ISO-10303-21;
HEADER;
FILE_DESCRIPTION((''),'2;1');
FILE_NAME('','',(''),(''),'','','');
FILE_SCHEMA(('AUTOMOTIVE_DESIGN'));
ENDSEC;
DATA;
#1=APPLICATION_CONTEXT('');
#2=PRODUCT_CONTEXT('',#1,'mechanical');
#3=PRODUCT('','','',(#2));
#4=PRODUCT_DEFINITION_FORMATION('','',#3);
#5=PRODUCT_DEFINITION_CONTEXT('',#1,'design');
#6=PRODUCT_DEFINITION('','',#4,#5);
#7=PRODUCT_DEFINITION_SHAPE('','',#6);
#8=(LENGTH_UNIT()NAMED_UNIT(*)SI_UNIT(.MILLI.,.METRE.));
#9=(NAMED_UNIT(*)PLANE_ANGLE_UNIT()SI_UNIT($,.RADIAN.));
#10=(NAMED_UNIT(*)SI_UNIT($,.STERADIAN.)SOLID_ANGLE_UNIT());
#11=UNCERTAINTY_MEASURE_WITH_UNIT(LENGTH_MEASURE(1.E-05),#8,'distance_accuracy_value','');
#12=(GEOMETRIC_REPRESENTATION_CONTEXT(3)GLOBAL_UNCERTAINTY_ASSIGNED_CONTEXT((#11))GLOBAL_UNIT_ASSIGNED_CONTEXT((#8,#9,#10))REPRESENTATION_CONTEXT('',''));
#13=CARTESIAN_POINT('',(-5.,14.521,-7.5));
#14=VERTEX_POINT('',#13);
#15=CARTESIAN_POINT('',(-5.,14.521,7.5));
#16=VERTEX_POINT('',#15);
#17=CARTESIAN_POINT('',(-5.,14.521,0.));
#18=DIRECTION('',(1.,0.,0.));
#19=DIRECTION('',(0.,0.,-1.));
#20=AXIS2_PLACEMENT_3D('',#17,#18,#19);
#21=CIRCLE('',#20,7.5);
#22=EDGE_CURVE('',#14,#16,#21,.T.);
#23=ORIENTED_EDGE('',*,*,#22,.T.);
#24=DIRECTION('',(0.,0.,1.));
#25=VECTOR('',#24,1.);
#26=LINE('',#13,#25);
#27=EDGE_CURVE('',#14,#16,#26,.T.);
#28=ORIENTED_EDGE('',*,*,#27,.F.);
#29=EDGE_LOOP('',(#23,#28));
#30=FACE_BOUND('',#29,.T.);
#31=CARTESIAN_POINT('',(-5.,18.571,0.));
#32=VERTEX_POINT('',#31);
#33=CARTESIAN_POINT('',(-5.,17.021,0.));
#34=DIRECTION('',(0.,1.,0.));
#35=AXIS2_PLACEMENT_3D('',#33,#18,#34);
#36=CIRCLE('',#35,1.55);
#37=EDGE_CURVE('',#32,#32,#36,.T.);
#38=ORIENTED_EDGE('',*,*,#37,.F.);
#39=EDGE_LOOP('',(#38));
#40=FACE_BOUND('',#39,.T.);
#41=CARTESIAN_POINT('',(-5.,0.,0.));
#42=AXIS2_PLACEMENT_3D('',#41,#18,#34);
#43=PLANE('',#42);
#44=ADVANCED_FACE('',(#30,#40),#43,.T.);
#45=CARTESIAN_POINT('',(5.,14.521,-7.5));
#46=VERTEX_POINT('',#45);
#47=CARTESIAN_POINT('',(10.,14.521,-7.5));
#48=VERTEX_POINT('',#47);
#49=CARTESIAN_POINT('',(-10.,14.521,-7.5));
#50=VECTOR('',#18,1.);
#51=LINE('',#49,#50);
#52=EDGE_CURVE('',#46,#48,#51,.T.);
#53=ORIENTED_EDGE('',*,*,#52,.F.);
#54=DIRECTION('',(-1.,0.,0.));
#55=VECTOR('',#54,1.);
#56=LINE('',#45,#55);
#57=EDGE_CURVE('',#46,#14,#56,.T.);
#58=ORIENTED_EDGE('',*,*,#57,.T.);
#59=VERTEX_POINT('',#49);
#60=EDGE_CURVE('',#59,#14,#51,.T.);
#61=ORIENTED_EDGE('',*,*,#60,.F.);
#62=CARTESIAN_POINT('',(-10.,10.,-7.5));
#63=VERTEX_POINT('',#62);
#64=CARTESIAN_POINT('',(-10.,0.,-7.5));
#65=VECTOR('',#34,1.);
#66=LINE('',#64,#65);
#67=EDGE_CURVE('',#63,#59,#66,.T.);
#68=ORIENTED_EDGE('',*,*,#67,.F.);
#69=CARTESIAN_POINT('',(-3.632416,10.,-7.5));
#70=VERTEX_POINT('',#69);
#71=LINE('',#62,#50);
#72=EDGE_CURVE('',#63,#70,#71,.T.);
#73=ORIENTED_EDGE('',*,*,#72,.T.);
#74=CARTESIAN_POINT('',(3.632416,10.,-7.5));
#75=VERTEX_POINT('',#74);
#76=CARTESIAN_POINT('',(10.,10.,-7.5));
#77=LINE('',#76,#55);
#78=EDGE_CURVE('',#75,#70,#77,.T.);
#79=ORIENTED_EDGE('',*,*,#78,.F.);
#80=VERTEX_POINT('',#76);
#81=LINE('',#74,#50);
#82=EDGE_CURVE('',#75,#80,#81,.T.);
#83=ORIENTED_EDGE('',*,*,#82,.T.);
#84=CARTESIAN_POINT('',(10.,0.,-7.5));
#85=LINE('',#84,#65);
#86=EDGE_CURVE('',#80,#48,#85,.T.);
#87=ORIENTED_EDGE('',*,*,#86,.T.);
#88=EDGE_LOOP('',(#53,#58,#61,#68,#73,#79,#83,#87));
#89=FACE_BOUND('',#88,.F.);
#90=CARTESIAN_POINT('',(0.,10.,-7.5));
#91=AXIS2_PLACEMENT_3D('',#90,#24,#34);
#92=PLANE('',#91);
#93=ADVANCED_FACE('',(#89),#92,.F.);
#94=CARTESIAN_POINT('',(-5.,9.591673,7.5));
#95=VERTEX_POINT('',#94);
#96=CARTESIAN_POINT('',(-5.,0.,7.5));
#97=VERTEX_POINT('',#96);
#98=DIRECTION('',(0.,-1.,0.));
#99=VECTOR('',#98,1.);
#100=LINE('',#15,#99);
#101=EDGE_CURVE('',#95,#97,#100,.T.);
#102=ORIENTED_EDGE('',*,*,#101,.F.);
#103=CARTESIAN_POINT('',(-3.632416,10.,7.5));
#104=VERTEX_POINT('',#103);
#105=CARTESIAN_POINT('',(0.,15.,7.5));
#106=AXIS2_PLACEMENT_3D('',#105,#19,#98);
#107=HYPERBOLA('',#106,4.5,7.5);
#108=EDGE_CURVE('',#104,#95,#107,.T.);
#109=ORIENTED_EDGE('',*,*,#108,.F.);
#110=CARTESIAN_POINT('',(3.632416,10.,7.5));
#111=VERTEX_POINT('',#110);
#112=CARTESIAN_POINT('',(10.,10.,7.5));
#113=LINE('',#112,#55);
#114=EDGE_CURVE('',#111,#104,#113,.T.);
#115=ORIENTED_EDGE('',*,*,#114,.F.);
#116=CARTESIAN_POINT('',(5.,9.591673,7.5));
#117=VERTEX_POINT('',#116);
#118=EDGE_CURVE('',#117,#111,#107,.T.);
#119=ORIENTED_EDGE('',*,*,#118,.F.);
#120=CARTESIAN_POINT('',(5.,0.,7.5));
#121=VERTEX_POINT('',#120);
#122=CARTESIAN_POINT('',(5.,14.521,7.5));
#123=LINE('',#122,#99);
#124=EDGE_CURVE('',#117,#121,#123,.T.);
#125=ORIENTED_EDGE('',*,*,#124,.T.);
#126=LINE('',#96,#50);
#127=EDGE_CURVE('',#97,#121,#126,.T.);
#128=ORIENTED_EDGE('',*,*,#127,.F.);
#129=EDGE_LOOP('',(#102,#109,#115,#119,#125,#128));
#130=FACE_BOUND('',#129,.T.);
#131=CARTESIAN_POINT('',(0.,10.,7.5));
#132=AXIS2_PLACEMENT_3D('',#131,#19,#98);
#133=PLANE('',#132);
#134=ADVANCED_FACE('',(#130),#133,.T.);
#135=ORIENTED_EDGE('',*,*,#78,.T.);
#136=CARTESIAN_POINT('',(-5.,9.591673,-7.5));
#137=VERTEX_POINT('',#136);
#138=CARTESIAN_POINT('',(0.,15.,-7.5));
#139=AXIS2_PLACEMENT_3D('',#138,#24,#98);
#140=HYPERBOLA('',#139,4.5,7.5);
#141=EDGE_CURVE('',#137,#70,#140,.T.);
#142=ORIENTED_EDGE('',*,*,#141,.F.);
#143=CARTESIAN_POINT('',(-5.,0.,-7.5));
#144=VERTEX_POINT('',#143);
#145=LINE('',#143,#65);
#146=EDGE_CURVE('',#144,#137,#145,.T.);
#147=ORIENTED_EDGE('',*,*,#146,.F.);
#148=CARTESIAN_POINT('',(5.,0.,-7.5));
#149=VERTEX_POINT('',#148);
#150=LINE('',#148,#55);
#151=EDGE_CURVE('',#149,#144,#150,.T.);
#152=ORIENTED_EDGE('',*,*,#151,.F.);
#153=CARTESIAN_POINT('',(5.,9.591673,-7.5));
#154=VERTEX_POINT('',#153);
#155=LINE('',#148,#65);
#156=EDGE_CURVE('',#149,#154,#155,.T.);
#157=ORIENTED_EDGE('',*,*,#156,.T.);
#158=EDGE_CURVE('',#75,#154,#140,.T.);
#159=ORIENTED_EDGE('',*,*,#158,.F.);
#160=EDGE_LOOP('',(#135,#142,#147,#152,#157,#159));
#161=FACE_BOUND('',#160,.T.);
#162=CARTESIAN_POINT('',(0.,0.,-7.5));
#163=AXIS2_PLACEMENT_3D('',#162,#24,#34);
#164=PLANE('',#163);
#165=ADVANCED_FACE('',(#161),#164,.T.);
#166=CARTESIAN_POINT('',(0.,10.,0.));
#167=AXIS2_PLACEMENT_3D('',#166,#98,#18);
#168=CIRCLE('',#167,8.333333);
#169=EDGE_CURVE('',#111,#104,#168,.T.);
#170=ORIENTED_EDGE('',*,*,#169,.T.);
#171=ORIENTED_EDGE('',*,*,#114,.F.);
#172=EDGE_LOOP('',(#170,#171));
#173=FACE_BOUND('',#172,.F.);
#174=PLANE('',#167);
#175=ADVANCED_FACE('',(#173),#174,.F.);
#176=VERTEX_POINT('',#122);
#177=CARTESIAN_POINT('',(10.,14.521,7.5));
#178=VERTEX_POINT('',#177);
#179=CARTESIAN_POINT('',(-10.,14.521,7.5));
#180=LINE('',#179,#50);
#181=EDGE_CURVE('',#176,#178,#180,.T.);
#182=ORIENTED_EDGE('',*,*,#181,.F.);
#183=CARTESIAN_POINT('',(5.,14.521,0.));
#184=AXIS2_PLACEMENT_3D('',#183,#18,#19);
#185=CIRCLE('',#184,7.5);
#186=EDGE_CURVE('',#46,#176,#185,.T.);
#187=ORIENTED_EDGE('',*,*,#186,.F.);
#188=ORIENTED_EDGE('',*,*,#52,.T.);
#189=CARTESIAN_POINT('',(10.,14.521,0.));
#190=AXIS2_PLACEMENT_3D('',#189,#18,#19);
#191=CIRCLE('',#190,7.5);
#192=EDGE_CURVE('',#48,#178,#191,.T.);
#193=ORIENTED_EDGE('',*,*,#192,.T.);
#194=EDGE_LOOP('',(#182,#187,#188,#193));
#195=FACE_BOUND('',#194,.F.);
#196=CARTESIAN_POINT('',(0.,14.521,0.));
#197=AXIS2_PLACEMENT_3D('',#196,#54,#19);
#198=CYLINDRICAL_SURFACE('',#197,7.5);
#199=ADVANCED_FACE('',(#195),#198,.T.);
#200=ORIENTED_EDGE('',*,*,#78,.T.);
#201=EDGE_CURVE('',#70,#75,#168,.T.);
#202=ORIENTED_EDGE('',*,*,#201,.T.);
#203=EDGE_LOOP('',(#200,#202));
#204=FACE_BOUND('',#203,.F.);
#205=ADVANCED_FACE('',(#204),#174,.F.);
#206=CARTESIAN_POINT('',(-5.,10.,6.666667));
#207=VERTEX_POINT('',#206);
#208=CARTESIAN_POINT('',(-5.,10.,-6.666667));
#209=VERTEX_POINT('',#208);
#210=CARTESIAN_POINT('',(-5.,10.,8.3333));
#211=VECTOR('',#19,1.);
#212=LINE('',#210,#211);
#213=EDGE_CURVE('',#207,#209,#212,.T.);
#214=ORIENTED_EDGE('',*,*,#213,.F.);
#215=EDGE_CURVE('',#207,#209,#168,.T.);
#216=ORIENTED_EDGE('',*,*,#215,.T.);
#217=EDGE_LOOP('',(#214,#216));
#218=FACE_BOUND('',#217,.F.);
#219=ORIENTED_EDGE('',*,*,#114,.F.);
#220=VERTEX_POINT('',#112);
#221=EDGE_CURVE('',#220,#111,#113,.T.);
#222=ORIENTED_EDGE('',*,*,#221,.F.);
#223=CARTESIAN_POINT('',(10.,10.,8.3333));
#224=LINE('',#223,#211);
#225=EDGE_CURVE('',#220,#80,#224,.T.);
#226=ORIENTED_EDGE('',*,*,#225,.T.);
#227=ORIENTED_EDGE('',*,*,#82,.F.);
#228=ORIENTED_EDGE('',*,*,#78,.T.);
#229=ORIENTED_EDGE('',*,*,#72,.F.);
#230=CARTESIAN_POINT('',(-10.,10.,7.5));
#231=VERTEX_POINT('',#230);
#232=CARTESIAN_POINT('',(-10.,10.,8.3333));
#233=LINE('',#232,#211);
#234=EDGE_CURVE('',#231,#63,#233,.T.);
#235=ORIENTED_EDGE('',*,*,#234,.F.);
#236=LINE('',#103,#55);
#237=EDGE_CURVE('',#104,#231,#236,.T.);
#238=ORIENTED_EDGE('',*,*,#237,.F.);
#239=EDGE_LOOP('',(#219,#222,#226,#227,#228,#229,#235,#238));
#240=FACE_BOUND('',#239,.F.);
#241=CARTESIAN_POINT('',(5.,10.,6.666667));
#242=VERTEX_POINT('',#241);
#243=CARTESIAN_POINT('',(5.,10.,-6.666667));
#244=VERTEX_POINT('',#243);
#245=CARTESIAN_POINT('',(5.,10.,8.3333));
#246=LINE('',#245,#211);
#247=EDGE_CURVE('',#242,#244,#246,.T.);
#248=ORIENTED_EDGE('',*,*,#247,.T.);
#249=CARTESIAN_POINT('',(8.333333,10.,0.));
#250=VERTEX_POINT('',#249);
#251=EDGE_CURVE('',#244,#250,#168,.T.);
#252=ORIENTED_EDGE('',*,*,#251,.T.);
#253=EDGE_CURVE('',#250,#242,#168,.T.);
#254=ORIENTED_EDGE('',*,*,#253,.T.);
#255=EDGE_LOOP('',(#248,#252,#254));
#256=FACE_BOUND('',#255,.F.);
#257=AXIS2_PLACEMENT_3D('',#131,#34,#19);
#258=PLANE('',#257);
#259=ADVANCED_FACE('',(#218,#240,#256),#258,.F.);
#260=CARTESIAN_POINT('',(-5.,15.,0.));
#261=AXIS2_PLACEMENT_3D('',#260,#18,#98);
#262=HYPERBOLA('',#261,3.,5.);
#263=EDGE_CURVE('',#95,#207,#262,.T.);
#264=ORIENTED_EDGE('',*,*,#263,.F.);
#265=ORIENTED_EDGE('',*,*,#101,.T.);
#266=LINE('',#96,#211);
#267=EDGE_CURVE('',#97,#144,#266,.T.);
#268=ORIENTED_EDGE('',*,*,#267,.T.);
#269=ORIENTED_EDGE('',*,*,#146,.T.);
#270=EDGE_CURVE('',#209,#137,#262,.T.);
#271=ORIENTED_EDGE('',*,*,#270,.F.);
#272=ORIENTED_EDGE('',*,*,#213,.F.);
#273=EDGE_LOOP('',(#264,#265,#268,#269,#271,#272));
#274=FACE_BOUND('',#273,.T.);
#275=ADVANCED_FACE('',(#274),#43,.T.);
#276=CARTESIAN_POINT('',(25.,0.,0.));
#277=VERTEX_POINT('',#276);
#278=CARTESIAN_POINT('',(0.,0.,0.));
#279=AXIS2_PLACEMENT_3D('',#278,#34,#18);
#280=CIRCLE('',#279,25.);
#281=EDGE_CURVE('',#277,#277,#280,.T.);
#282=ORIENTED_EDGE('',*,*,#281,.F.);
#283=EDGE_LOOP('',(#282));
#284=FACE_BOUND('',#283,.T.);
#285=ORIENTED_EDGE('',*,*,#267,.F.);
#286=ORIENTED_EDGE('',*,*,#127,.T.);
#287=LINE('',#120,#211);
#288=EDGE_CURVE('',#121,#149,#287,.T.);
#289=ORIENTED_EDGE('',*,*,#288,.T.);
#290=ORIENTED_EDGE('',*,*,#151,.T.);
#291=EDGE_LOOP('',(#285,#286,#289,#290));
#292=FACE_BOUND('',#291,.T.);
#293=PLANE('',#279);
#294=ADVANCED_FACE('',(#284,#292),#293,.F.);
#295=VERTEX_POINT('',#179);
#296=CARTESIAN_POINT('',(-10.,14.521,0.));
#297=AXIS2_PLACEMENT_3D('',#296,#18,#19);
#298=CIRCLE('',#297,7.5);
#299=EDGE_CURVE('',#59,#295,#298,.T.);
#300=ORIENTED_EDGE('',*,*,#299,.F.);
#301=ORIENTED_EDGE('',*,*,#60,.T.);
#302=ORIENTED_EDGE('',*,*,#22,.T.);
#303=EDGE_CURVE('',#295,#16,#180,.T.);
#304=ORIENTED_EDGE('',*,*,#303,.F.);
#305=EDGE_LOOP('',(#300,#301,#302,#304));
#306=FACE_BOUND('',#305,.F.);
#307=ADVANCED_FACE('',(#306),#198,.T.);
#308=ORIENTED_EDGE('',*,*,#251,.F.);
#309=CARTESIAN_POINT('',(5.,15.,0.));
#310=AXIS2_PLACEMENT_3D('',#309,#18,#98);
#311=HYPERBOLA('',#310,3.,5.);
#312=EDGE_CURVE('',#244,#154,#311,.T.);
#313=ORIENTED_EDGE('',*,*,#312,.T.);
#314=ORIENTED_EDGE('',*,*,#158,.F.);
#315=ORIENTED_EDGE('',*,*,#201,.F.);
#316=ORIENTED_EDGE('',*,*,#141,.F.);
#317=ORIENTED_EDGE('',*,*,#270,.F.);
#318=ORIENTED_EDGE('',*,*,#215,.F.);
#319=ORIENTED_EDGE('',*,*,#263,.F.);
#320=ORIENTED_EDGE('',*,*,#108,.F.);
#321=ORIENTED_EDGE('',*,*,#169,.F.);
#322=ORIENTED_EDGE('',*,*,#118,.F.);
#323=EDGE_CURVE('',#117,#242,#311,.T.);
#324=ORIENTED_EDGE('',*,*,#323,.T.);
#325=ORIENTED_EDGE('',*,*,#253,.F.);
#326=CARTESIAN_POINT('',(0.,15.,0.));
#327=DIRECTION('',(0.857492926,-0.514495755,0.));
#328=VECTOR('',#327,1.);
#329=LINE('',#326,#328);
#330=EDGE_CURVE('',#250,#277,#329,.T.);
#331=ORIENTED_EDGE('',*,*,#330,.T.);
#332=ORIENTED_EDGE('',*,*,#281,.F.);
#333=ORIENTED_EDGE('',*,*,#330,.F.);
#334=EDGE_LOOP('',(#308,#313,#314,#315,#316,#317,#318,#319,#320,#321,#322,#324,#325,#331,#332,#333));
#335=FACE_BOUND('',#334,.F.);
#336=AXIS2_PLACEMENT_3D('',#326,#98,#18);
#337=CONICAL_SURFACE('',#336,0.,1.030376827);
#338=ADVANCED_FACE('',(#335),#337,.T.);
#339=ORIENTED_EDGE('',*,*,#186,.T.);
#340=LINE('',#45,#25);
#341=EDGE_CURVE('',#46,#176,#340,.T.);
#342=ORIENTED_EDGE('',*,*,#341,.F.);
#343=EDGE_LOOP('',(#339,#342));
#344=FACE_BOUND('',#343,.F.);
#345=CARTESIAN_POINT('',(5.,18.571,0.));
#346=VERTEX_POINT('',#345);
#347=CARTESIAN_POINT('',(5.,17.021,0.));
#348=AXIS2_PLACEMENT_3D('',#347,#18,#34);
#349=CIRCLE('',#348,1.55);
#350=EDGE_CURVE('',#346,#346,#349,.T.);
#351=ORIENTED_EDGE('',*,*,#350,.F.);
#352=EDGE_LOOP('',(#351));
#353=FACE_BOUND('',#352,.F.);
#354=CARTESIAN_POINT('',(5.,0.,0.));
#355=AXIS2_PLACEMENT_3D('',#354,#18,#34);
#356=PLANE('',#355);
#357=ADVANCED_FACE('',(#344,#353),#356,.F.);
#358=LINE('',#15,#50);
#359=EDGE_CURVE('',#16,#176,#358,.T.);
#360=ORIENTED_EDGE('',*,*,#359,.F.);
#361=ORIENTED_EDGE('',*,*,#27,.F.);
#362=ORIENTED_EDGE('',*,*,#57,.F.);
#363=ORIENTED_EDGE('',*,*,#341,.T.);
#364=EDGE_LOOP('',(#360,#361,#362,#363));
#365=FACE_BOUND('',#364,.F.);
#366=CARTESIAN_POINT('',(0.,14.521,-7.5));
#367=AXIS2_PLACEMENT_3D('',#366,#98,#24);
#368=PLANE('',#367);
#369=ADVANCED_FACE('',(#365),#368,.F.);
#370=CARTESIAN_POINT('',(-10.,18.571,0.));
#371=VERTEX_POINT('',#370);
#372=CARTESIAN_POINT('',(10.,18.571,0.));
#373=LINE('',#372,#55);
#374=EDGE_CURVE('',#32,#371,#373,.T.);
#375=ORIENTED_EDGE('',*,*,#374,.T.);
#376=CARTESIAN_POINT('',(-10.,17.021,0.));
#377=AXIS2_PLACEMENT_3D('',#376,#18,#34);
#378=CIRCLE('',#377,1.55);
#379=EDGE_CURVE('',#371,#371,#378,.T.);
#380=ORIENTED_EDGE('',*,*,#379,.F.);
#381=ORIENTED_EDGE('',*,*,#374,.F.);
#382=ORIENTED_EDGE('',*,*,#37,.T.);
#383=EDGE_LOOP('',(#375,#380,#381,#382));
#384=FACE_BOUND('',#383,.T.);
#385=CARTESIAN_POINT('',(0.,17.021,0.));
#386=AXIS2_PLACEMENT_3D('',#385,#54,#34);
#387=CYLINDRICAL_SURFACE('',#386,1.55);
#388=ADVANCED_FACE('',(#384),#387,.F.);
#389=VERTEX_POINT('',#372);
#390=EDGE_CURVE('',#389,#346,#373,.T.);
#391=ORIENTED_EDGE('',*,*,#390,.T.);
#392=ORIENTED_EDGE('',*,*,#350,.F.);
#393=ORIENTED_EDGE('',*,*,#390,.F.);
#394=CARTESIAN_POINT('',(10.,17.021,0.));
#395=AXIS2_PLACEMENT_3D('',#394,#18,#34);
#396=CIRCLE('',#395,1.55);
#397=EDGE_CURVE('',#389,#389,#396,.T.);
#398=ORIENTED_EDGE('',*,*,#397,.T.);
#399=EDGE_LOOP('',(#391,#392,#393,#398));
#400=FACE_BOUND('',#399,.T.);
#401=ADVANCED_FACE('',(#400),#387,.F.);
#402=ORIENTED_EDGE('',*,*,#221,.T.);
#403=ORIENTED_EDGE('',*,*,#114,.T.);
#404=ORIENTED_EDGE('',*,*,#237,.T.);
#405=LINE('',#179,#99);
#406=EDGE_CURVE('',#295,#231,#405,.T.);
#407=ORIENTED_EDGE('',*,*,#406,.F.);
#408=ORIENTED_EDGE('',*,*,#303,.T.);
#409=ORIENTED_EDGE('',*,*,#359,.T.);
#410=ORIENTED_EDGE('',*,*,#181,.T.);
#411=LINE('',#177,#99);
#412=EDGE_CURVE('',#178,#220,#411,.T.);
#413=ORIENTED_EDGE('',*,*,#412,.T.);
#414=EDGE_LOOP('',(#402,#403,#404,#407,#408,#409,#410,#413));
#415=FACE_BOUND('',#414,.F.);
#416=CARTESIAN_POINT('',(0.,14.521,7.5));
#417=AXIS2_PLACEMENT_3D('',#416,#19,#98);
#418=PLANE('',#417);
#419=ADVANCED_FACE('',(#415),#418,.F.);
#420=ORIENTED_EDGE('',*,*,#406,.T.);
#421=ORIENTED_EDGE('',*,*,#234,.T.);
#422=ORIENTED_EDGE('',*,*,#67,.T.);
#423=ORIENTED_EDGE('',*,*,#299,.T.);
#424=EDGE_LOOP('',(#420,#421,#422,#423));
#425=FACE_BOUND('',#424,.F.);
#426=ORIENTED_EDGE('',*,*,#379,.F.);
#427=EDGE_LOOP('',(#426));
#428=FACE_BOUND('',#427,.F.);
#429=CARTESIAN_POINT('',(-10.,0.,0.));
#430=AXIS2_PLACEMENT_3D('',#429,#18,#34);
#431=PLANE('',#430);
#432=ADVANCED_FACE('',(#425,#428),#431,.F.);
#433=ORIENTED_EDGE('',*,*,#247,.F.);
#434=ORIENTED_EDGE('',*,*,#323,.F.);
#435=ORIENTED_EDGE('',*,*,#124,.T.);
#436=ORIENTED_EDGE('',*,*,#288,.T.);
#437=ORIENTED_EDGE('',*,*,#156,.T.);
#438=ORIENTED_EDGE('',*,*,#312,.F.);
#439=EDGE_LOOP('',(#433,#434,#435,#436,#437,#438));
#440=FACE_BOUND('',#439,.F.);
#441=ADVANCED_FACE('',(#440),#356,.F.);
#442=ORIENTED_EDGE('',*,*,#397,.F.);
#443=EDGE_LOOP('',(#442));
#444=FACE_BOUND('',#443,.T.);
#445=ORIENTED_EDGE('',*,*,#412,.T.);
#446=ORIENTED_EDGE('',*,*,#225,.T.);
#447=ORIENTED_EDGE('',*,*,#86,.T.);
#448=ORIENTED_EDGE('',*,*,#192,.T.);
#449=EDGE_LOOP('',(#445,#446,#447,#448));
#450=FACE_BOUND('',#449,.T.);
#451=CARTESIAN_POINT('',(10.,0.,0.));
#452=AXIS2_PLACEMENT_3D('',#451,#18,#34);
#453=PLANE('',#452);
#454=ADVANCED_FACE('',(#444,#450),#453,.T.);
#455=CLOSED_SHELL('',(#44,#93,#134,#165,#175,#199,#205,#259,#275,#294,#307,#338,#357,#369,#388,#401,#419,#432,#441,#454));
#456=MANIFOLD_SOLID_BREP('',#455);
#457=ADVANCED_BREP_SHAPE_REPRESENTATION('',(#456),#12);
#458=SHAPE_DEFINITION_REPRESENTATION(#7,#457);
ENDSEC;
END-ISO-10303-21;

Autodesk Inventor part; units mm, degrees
ref_plane "YZ Plane" through (0, 0, 0) normal (1, 0, 0) x (0, 1, 0)
ref_plane "XZ Plane" through (0, 0, 0) normal (0, 1, 0) x (-1, 0, 0)
ref_plane "XY Plane" through (0, 0, 0) normal (0, 0, 1) x (1, 0, 0)
sketch "Эскиз2" plane through (0, 0, 0) normal (0, 0, 1) x (1, 0, 0)
  line L0 (0, 0) -> (25, 0)
  line L1 (0, 0) -> (0, 15)
  line L2 (0, 15) -> (25, 0)
  line L3 (0, -3) -> (0, 18) projected
  dimension "d0" = 25
  dimension "d1" = 15
revolve "Вращение1" add sketch "Эскиз2" angle 360 about axis through (0, -10, 0) along (0, 1, 0)
ref_plane "РабПлоскость1" through (0, 10, 0) normal (0, -1, 0) x (1, 0, 0)
sketch "Эскиз3" plane through (0, 10, 0) normal (0, -1, 0) x (1, 0, 0)
  line L0 (9.9198, 18.1472) -> (-9.6073, 18.1472)
  line L1 (-9.6073, 18.1472) -> (-9.6073, -14.8146)
  line L2 (-9.6073, -14.8146) -> (9.9198, -14.8146)
  line L3 (9.9198, -14.8146) -> (9.9198, 18.1472)
  point P0 (0, 0)
extrude "Выдавливание1" cut sketch "Эскиз3" against normal blind 10
sketch "Эскиз4" plane through (0, 0, 0) normal (1, 0, 0) x (0, 1, 0)
  line L0 (14.521, 7.5) -> (0, 7.5)
  line L1 (0, 7.5) -> (0, -7.5)
  line L2 (0, -7.5) -> (14.521, -7.5)
  line L3 (14.521, -7.5) -> (14.521, 7.5)
  line L4 (14.521, 7.5) -> (0, -7.5) construction
  line L5 (0, 7.5) -> (14.521, -7.5) construction
  line L6 (10, 8.3333) -> (10, -8.3333) projected
  arc A0 (7.0249, 0.2433) -> (7.0249, -0.2433) centre (14.521, 0) ccw
  arc A1 (14.521, -7.5) -> (14.521, 7.5) centre (14.521, 0) ccw
  line L7 (14.521, 0) -> (17.021, 0) construction
  circle A2 centre (17.021, 0) radius 1.55
  point P0 (0, 0)
  point P1 (7.2605, 0)
  point P2 (10, 7.5)
  point P3 (10, -7.5)
  dimension "d6" = 15
  dimension "d7" = 4.521
  dimension "d10" = 2.5
  dimension "d11" = 3.1
extrude "Выдавливание2" add sketch "Эскиз4" along normal mid plane 20 contours L3 L2 L6 L0 | A1 L3
extrude "Выдавливание3" cut sketch "Эскиз4" along normal mid plane 10 contours A1 L3 | L6 L2 L1 L0
